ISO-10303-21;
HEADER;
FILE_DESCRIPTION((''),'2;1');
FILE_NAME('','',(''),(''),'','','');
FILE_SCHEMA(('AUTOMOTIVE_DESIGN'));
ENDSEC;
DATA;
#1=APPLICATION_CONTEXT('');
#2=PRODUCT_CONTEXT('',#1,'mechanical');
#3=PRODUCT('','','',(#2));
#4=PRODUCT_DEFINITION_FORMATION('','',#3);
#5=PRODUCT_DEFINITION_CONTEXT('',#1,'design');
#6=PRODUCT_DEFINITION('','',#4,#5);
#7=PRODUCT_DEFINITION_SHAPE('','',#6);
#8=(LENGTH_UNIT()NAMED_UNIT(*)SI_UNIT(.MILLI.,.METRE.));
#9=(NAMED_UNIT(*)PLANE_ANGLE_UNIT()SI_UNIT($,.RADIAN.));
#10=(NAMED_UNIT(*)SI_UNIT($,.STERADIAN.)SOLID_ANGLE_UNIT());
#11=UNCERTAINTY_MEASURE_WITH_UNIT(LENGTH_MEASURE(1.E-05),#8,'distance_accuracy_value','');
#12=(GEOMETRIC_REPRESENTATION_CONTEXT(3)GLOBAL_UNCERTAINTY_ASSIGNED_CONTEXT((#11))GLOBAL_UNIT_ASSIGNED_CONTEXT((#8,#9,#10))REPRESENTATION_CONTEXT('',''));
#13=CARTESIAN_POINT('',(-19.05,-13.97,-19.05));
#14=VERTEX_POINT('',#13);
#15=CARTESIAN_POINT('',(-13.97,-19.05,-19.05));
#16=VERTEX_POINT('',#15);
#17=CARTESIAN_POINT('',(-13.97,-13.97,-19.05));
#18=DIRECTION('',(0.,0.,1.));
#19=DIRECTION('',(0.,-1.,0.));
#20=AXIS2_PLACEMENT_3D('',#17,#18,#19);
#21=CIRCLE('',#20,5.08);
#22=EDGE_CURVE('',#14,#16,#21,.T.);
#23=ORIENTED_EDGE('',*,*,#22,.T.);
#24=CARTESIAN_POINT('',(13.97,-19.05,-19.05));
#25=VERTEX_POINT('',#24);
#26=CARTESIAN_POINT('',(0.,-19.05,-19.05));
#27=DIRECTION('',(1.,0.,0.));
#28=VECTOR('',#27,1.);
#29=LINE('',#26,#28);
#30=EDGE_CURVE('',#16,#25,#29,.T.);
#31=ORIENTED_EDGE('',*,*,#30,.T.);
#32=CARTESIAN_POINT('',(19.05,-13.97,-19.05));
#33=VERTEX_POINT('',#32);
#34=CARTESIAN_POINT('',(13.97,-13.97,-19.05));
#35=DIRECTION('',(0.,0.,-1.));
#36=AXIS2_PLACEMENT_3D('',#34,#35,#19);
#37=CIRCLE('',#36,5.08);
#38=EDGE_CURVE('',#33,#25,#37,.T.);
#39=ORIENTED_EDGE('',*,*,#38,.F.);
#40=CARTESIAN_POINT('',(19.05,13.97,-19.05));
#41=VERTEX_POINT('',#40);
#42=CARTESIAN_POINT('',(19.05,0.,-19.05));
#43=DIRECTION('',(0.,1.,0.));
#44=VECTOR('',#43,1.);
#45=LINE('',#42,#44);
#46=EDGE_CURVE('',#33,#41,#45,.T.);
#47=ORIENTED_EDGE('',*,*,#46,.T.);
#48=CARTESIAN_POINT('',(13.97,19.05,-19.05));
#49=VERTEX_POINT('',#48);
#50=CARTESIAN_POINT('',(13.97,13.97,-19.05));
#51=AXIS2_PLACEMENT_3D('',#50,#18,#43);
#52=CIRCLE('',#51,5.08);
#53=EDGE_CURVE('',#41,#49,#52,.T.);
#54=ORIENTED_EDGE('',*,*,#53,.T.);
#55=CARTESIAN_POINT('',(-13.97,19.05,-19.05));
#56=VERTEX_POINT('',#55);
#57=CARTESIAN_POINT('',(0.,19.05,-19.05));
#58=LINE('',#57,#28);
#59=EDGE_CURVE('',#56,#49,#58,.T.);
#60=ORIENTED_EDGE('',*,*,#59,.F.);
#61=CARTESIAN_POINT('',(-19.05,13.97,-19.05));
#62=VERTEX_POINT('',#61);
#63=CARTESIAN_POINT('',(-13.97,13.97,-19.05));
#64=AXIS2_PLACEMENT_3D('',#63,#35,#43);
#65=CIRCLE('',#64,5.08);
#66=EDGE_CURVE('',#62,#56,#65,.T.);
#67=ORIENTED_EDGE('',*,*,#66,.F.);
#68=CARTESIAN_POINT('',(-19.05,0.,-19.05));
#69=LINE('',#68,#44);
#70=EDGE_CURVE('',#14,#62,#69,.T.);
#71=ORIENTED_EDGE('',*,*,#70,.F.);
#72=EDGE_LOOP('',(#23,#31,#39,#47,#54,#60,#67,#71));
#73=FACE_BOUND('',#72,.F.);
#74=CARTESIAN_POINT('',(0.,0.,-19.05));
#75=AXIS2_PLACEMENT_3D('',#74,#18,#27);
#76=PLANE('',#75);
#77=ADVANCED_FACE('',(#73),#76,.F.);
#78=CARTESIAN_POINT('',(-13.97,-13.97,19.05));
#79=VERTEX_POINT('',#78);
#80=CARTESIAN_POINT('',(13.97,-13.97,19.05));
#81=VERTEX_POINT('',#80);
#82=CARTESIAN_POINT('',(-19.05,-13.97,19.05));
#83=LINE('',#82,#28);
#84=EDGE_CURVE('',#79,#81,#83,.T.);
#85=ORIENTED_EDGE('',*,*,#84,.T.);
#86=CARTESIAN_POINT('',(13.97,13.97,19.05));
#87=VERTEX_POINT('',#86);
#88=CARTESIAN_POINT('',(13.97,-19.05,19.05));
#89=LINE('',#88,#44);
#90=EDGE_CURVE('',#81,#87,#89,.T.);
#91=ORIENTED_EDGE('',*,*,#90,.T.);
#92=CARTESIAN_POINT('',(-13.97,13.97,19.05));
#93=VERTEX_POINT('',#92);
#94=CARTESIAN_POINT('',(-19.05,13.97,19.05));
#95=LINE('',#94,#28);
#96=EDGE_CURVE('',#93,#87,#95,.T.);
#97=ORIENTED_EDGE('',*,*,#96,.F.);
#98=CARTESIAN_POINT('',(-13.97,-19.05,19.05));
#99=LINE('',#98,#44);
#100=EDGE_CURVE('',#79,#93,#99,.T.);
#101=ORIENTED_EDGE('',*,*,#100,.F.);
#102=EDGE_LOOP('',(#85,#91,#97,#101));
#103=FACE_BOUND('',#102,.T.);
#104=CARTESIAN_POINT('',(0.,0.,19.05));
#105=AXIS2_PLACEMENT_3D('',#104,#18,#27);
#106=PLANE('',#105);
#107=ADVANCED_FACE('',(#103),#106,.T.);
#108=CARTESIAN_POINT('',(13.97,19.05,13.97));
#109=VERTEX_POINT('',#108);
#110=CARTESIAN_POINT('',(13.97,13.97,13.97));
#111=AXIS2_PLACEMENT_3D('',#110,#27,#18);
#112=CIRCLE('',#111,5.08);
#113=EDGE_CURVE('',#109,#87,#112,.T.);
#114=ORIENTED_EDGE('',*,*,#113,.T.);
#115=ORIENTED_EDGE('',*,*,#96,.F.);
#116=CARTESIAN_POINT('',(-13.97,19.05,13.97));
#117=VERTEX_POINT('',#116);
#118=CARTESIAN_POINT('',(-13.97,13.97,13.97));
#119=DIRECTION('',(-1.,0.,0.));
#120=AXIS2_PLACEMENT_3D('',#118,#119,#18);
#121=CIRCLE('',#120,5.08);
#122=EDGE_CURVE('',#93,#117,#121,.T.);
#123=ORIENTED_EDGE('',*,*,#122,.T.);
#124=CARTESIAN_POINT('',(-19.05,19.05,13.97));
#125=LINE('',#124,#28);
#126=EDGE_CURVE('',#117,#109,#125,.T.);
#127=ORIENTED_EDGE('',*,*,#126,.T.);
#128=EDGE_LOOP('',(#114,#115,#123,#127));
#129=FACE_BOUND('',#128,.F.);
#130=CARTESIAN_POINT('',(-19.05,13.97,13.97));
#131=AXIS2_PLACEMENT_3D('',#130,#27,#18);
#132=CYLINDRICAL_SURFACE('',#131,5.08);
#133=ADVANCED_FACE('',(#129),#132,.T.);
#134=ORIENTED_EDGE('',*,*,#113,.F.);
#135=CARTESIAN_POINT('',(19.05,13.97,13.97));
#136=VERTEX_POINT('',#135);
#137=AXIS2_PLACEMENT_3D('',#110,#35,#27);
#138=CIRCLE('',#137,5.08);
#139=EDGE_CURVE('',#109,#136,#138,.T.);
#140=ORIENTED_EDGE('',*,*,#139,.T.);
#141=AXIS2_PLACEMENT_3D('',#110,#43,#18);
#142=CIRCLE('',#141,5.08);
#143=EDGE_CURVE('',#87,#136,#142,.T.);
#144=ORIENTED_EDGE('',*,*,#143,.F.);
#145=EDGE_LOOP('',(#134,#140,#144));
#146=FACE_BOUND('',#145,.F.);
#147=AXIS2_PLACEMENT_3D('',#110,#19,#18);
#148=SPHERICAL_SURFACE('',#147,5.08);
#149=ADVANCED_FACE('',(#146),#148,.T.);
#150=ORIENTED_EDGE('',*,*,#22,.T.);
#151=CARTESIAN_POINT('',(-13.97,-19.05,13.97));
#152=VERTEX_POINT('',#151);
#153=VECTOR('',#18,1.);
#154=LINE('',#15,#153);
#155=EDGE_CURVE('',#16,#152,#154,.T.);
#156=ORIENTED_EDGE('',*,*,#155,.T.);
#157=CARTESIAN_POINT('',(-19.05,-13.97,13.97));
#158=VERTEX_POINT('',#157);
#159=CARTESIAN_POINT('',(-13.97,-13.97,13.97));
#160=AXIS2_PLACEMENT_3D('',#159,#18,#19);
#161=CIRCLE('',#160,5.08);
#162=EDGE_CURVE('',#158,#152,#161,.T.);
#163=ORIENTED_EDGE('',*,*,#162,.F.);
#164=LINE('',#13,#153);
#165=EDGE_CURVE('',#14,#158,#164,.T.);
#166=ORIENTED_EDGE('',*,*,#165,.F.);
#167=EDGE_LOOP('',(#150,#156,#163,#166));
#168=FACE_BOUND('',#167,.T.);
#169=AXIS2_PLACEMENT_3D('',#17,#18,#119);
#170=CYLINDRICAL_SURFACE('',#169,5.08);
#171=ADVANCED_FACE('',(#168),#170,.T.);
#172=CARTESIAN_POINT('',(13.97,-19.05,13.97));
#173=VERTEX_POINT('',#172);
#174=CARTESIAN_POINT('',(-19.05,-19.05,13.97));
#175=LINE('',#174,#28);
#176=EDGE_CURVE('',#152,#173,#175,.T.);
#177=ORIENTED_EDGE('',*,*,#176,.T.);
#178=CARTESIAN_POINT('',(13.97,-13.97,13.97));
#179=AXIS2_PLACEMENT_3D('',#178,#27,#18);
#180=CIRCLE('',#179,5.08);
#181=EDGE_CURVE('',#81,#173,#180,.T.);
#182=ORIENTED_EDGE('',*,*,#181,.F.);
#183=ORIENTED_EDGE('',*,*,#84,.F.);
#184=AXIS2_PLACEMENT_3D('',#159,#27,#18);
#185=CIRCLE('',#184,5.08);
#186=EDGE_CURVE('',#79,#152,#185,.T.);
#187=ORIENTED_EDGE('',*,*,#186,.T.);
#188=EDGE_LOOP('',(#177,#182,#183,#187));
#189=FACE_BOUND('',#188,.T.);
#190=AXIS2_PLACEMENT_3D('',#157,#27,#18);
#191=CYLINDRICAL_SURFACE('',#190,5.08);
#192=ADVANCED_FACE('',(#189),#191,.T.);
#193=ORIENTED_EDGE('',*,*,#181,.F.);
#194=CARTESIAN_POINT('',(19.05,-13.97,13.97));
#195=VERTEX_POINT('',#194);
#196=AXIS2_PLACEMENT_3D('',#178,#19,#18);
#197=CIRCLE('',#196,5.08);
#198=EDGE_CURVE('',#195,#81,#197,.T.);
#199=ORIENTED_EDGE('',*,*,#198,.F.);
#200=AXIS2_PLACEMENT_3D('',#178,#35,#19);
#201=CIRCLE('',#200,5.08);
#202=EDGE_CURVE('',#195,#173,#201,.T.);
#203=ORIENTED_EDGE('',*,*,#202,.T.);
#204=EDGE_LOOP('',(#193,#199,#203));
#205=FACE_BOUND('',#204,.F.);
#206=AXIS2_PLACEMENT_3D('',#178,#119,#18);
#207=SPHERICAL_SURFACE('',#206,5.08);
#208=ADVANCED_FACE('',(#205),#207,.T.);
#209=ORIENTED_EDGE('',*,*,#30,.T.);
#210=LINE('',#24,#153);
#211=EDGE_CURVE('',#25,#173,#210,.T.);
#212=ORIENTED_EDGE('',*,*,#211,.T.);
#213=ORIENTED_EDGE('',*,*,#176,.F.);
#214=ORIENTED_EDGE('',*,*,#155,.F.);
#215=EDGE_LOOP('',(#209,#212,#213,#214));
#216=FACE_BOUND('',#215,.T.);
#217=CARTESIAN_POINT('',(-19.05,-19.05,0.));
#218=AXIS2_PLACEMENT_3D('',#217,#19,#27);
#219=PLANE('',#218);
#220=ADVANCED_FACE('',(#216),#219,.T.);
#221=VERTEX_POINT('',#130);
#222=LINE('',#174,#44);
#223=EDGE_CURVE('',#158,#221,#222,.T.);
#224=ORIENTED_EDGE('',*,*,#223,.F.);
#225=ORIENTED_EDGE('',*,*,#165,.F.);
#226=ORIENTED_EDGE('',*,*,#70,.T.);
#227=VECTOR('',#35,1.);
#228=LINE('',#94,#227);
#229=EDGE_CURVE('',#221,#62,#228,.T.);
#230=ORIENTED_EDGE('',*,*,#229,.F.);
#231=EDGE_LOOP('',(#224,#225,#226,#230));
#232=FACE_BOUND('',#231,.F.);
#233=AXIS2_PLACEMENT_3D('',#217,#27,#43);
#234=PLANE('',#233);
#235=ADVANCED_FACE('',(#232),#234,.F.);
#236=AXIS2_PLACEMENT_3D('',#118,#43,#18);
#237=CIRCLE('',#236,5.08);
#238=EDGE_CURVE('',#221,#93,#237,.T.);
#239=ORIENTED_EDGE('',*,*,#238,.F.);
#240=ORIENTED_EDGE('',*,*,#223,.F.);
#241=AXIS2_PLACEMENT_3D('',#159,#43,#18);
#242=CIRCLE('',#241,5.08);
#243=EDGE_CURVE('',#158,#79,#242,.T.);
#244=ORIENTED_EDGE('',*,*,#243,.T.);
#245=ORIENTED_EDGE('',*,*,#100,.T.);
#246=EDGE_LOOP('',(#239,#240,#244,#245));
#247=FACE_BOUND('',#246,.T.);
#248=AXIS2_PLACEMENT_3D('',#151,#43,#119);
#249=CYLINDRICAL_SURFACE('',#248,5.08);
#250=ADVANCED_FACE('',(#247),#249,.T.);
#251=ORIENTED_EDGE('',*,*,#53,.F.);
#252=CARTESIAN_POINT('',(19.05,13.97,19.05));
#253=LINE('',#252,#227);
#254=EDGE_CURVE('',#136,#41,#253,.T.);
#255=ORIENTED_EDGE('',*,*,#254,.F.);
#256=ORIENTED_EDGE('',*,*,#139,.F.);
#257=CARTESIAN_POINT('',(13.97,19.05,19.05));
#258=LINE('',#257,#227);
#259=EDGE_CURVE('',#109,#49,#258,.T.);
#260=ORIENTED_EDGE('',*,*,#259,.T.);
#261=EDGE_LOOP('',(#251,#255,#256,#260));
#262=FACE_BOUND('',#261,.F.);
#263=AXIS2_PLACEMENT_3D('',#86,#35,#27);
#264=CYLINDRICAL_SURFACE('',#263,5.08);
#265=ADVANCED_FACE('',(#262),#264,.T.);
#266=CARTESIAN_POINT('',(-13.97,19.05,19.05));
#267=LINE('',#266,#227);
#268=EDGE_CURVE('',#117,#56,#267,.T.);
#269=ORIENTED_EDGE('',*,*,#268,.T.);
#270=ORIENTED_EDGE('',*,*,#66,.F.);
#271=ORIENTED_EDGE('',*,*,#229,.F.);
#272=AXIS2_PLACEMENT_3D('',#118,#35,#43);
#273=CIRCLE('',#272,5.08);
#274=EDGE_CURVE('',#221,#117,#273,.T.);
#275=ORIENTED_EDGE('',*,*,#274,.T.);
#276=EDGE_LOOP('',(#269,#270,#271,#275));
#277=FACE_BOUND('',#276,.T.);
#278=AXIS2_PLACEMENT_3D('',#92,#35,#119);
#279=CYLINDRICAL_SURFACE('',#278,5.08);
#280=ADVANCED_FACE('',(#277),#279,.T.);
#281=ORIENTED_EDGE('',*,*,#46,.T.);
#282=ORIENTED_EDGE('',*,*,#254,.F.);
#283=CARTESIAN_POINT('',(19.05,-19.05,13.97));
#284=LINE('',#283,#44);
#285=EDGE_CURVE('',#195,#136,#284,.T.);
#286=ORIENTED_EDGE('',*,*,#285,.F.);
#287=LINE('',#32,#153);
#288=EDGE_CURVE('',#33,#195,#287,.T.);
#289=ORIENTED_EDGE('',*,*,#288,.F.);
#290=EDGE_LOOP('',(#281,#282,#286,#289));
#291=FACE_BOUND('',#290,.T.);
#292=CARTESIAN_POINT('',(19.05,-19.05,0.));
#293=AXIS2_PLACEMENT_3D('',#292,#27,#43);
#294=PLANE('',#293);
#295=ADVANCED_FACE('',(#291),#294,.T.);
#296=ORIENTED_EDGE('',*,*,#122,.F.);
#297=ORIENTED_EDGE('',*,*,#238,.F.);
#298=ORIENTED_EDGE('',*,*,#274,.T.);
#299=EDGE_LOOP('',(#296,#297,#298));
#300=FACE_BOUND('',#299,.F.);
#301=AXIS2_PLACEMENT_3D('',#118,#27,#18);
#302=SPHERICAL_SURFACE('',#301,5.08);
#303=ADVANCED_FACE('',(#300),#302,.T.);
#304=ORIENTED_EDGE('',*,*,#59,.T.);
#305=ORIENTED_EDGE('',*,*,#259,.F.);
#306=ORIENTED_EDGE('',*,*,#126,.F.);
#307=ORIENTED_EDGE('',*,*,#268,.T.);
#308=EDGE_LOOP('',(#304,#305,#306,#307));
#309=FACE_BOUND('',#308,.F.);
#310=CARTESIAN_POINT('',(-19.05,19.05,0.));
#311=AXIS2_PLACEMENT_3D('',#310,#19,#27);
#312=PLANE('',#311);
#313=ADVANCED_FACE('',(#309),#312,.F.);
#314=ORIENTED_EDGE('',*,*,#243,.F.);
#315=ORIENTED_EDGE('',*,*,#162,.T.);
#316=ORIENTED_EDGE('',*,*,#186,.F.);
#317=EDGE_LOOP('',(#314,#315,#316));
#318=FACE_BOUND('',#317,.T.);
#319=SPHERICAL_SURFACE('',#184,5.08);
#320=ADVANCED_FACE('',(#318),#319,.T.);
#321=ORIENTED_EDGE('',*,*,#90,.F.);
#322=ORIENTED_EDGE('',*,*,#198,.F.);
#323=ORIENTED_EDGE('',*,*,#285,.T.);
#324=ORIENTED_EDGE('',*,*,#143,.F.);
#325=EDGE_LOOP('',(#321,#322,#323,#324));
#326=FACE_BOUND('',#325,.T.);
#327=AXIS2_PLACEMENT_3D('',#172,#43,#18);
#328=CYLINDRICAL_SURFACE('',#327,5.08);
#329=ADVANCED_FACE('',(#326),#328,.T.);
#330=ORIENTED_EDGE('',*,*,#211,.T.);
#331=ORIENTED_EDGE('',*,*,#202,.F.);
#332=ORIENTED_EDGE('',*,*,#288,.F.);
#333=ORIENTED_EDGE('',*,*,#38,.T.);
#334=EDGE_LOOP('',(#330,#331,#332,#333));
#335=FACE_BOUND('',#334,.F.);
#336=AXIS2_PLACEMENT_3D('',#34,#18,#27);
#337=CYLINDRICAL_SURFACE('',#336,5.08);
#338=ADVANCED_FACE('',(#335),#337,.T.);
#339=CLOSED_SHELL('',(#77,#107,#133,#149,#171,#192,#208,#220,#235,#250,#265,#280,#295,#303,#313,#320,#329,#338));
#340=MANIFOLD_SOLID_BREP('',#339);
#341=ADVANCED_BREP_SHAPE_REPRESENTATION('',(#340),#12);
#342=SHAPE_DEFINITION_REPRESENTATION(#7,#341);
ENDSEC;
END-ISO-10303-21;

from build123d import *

# Parameters (mm, degrees)
F1_W     = 38.1
F1_H     = 38.1
F2_DEPTH = 19.05
F3_R     = 5.08


with BuildPart() as f2:
    # F1 (on face) → F2 (new body, symmetric)
    with BuildSketch(Plane.XY):
        Rectangle(F1_W, F1_H)
    extrude(amount=F2_DEPTH, both=True)

    # F3
    f3_edges = [f2.edges().sort_by_distance(p)[0] for p in [
        (0, -19.05, 19.05),
        (19.05, 0, 19.05),
        (0, 19.05, 19.05),
        (-19.05, 0, 19.05),
        (19.05, -19.05, 0),
        (-19.05, -19.05, 0),
        (19.05, 19.05, 0),
        (-19.05, 19.05, 0),
    ]]
    fillet(f3_edges, radius=F3_R)


solid = f2.part
